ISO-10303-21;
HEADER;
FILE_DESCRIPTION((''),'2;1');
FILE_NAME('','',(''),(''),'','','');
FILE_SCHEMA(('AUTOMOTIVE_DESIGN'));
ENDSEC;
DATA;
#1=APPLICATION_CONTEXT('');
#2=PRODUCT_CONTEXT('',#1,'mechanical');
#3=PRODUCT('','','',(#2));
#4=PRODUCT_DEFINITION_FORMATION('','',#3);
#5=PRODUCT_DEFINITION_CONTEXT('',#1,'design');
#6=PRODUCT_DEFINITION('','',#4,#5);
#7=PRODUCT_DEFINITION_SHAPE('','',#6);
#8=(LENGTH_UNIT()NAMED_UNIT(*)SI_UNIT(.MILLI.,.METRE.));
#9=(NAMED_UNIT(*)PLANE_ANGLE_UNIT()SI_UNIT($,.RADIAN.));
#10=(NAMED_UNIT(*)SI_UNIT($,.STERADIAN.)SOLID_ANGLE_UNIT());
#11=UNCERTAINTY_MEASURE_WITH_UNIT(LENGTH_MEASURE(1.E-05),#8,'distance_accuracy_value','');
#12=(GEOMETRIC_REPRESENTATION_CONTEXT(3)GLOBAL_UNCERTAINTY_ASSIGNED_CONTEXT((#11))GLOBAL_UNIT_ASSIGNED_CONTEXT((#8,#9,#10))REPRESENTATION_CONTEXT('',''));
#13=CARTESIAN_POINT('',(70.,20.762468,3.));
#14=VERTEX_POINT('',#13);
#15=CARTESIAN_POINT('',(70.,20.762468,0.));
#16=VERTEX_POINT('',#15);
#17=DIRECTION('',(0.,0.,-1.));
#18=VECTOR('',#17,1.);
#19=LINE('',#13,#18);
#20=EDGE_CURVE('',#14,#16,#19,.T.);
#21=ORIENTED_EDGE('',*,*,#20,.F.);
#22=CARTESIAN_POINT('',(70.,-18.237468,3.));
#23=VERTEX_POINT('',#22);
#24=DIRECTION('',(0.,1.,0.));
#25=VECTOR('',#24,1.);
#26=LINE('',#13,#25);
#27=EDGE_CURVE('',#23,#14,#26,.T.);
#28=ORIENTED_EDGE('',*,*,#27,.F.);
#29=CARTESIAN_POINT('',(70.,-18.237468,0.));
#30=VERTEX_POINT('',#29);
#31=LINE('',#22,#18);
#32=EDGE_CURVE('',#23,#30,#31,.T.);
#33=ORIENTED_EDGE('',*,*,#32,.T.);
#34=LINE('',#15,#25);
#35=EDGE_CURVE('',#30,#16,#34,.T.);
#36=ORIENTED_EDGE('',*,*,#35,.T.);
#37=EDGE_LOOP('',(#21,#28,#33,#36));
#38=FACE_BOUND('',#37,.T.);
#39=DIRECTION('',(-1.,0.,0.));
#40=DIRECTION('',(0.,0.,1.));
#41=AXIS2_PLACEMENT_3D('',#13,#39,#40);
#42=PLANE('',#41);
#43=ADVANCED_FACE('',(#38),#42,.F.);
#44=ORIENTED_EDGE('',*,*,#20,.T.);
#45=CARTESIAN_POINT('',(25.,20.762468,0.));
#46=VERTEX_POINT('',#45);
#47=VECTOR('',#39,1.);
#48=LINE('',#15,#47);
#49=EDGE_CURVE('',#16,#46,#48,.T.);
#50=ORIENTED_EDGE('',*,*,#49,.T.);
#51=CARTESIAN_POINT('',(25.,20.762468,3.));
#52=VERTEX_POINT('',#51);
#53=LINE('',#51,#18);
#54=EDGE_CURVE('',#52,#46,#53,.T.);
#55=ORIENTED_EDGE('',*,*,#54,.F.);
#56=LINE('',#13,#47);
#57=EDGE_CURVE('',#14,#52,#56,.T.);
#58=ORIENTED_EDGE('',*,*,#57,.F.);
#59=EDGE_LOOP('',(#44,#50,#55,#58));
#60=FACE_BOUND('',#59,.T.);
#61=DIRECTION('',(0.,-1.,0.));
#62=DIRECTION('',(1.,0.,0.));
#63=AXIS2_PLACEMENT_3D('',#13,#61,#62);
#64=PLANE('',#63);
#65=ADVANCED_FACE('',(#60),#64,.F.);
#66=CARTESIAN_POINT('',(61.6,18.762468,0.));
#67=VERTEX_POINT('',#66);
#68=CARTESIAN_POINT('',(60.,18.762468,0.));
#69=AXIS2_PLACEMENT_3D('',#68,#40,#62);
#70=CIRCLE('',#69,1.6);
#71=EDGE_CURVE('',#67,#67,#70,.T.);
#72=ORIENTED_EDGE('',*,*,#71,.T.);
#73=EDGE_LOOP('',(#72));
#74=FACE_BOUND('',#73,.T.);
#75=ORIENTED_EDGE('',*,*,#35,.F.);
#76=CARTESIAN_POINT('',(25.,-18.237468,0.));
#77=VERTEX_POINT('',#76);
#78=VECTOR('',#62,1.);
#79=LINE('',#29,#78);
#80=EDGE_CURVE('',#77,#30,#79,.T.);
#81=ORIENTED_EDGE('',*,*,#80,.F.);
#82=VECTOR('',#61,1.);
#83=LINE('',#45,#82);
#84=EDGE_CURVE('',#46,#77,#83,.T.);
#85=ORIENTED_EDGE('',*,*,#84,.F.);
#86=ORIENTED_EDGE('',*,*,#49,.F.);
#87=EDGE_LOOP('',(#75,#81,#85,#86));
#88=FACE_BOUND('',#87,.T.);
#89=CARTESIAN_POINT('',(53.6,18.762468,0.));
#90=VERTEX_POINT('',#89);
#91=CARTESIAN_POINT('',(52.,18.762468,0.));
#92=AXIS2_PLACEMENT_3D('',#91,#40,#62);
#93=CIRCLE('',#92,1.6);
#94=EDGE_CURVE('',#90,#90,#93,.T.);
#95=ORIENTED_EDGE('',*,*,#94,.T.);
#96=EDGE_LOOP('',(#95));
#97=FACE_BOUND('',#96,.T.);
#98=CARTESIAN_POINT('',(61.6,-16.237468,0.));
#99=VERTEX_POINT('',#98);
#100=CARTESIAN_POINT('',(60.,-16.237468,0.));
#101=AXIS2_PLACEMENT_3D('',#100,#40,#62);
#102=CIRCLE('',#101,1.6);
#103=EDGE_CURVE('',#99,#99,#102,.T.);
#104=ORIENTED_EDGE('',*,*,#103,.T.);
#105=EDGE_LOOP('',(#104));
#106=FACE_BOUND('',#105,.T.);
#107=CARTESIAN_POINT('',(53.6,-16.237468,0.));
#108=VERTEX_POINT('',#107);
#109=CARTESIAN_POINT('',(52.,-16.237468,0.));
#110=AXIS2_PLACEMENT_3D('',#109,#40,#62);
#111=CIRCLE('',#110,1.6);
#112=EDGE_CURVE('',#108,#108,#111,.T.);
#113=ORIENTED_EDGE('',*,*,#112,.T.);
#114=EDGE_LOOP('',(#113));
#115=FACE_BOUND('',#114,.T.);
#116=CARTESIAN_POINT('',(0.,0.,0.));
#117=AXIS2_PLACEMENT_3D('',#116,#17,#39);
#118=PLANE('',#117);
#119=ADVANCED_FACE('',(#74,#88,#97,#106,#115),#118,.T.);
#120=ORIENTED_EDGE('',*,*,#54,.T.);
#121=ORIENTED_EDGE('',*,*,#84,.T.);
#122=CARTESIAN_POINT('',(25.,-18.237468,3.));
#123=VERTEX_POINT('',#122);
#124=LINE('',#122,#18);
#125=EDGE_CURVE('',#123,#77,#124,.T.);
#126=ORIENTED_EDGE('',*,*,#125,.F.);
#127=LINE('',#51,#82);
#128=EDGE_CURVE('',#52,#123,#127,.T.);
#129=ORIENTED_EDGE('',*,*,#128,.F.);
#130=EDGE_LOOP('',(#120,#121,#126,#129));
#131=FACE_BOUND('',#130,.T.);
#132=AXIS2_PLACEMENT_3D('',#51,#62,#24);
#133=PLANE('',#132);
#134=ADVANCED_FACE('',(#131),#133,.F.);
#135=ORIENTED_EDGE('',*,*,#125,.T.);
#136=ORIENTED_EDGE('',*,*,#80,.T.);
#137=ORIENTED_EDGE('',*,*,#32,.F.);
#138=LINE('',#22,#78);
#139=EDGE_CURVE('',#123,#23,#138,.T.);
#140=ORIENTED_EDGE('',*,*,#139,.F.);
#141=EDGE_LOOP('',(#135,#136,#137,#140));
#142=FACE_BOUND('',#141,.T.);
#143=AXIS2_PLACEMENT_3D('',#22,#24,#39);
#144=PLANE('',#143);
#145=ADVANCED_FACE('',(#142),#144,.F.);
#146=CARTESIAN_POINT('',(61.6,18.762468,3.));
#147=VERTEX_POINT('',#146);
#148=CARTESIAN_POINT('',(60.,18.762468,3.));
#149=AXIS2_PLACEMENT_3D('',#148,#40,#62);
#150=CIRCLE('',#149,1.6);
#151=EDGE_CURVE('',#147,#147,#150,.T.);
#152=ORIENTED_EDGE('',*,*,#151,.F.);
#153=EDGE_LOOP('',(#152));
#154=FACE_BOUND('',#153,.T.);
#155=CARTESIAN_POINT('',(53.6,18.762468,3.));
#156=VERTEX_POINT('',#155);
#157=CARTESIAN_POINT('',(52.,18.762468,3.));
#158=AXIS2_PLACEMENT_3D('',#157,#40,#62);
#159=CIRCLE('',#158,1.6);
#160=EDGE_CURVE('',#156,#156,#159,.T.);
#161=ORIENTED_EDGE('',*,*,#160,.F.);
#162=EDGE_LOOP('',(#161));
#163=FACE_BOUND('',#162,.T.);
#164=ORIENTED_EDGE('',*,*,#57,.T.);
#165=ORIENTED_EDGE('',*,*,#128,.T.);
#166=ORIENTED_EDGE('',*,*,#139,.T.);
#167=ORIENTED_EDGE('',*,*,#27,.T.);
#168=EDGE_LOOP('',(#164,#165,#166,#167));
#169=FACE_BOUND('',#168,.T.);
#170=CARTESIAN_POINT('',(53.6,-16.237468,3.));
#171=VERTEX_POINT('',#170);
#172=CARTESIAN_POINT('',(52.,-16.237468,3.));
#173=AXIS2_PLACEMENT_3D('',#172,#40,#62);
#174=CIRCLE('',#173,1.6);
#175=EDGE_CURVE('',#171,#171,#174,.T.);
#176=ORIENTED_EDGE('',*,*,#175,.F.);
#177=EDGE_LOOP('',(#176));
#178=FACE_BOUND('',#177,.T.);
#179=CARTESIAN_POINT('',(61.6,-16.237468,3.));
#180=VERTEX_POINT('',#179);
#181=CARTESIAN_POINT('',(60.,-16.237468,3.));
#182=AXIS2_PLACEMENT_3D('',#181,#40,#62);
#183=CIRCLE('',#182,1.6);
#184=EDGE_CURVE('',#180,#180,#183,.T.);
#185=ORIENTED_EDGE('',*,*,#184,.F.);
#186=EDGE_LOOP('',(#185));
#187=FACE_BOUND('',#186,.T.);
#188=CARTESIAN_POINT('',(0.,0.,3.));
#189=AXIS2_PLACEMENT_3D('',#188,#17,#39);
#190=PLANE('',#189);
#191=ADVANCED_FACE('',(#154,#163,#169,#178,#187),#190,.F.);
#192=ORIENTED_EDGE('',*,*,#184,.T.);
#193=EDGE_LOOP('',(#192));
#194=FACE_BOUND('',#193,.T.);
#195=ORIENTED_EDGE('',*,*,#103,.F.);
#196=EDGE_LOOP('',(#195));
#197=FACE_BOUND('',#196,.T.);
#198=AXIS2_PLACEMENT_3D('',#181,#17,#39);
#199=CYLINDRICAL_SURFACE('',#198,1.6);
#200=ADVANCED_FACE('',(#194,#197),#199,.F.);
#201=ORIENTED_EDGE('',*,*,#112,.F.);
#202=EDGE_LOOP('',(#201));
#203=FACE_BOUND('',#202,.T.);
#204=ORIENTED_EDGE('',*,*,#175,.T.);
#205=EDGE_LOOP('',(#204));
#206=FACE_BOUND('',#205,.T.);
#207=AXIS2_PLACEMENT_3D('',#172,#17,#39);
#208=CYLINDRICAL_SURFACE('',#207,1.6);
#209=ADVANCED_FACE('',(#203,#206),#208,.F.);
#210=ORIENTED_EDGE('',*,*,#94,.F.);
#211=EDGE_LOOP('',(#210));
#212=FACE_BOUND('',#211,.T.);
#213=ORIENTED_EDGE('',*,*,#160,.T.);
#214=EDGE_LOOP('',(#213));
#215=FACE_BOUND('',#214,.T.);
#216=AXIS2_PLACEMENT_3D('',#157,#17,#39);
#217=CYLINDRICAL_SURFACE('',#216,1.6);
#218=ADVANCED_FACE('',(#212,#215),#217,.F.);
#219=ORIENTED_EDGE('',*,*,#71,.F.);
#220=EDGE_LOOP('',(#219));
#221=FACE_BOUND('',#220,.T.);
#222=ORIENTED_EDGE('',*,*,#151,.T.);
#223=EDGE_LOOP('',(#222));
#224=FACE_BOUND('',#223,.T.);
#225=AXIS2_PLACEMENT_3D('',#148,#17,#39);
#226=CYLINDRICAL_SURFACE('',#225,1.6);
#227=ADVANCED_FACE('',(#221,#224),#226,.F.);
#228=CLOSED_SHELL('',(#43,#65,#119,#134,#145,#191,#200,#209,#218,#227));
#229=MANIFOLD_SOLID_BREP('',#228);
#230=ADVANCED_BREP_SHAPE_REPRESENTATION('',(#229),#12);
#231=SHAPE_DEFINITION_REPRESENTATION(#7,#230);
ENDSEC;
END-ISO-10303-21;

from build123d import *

# Parameters (mm, degrees)
SKETCH1_W           = 45
SKETCH1_H           = 38.999936721
SKETCH1_R           = 1.6
BOSS_EXTRUDE1_DEPTH = 3


with BuildPart() as part:
    # Sketch1 → Boss-Extrude1 (new body)
    with BuildSketch(Plane.XY):
        with Locations((47.5, 1.262499999)):
            Rectangle(SKETCH1_W, SKETCH1_H)
        with Locations((60, 18.76246836)):
            Circle(SKETCH1_R, mode=Mode.SUBTRACT)
        with Locations((52, 18.76246836)):
            Circle(SKETCH1_R, mode=Mode.SUBTRACT)
        with Locations((60, -16.237468361)):
            Circle(SKETCH1_R, mode=Mode.SUBTRACT)
        with Locations((52, -16.237468361)):
            Circle(SKETCH1_R, mode=Mode.SUBTRACT)
    extrude(amount=BOSS_EXTRUDE1_DEPTH)


solid = part.part
